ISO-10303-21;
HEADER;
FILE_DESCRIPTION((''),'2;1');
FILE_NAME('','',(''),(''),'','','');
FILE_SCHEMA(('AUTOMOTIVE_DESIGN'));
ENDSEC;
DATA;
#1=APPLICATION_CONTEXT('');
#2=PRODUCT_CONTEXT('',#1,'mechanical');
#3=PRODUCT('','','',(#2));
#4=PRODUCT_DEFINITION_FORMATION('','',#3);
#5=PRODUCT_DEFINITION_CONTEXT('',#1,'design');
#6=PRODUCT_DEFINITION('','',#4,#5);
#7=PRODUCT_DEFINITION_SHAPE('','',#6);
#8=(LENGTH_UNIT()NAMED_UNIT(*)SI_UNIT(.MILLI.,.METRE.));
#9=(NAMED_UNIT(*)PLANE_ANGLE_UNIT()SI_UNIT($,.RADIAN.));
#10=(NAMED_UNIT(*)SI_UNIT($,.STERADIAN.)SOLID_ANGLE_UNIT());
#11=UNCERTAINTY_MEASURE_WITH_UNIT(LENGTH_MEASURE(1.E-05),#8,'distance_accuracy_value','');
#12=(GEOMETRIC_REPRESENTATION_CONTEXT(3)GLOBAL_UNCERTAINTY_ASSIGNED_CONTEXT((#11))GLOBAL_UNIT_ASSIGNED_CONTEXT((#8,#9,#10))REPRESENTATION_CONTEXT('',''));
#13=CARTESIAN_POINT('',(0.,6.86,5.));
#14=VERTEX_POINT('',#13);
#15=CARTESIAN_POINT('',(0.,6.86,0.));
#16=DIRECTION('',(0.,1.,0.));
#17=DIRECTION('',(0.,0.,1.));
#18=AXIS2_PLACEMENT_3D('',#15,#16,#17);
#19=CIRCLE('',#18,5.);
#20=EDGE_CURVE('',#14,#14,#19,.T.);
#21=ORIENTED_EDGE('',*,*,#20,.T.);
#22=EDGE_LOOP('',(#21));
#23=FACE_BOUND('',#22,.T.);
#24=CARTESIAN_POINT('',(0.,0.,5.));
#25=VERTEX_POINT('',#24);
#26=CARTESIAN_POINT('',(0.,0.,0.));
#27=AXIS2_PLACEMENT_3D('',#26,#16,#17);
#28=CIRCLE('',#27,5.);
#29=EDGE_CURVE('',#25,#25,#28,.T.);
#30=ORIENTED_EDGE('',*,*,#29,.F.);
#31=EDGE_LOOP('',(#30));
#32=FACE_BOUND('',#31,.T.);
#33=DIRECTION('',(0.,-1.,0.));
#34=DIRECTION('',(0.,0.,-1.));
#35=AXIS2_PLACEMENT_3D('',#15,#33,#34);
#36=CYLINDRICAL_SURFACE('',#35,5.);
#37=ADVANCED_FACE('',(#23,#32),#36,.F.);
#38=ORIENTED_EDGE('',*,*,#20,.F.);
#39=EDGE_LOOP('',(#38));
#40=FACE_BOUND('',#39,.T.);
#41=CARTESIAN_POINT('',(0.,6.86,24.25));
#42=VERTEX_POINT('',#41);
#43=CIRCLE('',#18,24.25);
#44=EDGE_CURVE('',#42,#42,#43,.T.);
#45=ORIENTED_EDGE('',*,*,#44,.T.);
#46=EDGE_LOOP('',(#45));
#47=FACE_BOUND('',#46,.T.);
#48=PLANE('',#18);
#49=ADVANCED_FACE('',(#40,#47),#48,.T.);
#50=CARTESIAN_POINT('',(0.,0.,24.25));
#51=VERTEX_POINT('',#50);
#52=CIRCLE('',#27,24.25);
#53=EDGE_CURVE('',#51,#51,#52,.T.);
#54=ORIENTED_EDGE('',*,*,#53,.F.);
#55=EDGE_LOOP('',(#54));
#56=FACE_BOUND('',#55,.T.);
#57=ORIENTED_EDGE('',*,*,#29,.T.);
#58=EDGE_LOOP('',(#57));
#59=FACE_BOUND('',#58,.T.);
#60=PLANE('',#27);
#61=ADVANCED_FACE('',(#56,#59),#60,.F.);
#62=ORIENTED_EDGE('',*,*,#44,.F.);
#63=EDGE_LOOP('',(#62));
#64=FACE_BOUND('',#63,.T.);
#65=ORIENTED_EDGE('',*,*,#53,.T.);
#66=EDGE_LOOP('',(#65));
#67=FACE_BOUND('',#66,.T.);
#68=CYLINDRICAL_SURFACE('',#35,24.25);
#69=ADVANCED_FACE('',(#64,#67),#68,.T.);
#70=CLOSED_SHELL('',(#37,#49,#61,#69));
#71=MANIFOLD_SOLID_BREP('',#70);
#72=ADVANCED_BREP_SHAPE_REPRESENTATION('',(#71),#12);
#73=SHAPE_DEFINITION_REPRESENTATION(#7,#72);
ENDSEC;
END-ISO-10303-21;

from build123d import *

# Parameters (mm, degrees)
SKETCH1_R           = 24.25
BOSS_EXTRUDE1_DEPTH = 6.86
SKETCH2_R           = 5
CUT_EXTRUDE2_DEPTH  = 6.86


with BuildPart() as part:
    # Sketch1 → Boss-Extrude1 (new body)
    with BuildSketch(Plane(origin=(0, 0, 0), x_dir=(1, 0, 0), z_dir=(0, 1, 0))):
        Circle(SKETCH1_R)
    extrude(amount=BOSS_EXTRUDE1_DEPTH)

    # Sketch2 → Cut-Extrude2 (cut)
    with BuildSketch(Plane(origin=(0, 0, 0), x_dir=(1, 0, 0), z_dir=(0, 1, 0))):
        Circle(SKETCH2_R)
    extrude(amount=CUT_EXTRUDE2_DEPTH, mode=Mode.SUBTRACT)


solid = part.part
